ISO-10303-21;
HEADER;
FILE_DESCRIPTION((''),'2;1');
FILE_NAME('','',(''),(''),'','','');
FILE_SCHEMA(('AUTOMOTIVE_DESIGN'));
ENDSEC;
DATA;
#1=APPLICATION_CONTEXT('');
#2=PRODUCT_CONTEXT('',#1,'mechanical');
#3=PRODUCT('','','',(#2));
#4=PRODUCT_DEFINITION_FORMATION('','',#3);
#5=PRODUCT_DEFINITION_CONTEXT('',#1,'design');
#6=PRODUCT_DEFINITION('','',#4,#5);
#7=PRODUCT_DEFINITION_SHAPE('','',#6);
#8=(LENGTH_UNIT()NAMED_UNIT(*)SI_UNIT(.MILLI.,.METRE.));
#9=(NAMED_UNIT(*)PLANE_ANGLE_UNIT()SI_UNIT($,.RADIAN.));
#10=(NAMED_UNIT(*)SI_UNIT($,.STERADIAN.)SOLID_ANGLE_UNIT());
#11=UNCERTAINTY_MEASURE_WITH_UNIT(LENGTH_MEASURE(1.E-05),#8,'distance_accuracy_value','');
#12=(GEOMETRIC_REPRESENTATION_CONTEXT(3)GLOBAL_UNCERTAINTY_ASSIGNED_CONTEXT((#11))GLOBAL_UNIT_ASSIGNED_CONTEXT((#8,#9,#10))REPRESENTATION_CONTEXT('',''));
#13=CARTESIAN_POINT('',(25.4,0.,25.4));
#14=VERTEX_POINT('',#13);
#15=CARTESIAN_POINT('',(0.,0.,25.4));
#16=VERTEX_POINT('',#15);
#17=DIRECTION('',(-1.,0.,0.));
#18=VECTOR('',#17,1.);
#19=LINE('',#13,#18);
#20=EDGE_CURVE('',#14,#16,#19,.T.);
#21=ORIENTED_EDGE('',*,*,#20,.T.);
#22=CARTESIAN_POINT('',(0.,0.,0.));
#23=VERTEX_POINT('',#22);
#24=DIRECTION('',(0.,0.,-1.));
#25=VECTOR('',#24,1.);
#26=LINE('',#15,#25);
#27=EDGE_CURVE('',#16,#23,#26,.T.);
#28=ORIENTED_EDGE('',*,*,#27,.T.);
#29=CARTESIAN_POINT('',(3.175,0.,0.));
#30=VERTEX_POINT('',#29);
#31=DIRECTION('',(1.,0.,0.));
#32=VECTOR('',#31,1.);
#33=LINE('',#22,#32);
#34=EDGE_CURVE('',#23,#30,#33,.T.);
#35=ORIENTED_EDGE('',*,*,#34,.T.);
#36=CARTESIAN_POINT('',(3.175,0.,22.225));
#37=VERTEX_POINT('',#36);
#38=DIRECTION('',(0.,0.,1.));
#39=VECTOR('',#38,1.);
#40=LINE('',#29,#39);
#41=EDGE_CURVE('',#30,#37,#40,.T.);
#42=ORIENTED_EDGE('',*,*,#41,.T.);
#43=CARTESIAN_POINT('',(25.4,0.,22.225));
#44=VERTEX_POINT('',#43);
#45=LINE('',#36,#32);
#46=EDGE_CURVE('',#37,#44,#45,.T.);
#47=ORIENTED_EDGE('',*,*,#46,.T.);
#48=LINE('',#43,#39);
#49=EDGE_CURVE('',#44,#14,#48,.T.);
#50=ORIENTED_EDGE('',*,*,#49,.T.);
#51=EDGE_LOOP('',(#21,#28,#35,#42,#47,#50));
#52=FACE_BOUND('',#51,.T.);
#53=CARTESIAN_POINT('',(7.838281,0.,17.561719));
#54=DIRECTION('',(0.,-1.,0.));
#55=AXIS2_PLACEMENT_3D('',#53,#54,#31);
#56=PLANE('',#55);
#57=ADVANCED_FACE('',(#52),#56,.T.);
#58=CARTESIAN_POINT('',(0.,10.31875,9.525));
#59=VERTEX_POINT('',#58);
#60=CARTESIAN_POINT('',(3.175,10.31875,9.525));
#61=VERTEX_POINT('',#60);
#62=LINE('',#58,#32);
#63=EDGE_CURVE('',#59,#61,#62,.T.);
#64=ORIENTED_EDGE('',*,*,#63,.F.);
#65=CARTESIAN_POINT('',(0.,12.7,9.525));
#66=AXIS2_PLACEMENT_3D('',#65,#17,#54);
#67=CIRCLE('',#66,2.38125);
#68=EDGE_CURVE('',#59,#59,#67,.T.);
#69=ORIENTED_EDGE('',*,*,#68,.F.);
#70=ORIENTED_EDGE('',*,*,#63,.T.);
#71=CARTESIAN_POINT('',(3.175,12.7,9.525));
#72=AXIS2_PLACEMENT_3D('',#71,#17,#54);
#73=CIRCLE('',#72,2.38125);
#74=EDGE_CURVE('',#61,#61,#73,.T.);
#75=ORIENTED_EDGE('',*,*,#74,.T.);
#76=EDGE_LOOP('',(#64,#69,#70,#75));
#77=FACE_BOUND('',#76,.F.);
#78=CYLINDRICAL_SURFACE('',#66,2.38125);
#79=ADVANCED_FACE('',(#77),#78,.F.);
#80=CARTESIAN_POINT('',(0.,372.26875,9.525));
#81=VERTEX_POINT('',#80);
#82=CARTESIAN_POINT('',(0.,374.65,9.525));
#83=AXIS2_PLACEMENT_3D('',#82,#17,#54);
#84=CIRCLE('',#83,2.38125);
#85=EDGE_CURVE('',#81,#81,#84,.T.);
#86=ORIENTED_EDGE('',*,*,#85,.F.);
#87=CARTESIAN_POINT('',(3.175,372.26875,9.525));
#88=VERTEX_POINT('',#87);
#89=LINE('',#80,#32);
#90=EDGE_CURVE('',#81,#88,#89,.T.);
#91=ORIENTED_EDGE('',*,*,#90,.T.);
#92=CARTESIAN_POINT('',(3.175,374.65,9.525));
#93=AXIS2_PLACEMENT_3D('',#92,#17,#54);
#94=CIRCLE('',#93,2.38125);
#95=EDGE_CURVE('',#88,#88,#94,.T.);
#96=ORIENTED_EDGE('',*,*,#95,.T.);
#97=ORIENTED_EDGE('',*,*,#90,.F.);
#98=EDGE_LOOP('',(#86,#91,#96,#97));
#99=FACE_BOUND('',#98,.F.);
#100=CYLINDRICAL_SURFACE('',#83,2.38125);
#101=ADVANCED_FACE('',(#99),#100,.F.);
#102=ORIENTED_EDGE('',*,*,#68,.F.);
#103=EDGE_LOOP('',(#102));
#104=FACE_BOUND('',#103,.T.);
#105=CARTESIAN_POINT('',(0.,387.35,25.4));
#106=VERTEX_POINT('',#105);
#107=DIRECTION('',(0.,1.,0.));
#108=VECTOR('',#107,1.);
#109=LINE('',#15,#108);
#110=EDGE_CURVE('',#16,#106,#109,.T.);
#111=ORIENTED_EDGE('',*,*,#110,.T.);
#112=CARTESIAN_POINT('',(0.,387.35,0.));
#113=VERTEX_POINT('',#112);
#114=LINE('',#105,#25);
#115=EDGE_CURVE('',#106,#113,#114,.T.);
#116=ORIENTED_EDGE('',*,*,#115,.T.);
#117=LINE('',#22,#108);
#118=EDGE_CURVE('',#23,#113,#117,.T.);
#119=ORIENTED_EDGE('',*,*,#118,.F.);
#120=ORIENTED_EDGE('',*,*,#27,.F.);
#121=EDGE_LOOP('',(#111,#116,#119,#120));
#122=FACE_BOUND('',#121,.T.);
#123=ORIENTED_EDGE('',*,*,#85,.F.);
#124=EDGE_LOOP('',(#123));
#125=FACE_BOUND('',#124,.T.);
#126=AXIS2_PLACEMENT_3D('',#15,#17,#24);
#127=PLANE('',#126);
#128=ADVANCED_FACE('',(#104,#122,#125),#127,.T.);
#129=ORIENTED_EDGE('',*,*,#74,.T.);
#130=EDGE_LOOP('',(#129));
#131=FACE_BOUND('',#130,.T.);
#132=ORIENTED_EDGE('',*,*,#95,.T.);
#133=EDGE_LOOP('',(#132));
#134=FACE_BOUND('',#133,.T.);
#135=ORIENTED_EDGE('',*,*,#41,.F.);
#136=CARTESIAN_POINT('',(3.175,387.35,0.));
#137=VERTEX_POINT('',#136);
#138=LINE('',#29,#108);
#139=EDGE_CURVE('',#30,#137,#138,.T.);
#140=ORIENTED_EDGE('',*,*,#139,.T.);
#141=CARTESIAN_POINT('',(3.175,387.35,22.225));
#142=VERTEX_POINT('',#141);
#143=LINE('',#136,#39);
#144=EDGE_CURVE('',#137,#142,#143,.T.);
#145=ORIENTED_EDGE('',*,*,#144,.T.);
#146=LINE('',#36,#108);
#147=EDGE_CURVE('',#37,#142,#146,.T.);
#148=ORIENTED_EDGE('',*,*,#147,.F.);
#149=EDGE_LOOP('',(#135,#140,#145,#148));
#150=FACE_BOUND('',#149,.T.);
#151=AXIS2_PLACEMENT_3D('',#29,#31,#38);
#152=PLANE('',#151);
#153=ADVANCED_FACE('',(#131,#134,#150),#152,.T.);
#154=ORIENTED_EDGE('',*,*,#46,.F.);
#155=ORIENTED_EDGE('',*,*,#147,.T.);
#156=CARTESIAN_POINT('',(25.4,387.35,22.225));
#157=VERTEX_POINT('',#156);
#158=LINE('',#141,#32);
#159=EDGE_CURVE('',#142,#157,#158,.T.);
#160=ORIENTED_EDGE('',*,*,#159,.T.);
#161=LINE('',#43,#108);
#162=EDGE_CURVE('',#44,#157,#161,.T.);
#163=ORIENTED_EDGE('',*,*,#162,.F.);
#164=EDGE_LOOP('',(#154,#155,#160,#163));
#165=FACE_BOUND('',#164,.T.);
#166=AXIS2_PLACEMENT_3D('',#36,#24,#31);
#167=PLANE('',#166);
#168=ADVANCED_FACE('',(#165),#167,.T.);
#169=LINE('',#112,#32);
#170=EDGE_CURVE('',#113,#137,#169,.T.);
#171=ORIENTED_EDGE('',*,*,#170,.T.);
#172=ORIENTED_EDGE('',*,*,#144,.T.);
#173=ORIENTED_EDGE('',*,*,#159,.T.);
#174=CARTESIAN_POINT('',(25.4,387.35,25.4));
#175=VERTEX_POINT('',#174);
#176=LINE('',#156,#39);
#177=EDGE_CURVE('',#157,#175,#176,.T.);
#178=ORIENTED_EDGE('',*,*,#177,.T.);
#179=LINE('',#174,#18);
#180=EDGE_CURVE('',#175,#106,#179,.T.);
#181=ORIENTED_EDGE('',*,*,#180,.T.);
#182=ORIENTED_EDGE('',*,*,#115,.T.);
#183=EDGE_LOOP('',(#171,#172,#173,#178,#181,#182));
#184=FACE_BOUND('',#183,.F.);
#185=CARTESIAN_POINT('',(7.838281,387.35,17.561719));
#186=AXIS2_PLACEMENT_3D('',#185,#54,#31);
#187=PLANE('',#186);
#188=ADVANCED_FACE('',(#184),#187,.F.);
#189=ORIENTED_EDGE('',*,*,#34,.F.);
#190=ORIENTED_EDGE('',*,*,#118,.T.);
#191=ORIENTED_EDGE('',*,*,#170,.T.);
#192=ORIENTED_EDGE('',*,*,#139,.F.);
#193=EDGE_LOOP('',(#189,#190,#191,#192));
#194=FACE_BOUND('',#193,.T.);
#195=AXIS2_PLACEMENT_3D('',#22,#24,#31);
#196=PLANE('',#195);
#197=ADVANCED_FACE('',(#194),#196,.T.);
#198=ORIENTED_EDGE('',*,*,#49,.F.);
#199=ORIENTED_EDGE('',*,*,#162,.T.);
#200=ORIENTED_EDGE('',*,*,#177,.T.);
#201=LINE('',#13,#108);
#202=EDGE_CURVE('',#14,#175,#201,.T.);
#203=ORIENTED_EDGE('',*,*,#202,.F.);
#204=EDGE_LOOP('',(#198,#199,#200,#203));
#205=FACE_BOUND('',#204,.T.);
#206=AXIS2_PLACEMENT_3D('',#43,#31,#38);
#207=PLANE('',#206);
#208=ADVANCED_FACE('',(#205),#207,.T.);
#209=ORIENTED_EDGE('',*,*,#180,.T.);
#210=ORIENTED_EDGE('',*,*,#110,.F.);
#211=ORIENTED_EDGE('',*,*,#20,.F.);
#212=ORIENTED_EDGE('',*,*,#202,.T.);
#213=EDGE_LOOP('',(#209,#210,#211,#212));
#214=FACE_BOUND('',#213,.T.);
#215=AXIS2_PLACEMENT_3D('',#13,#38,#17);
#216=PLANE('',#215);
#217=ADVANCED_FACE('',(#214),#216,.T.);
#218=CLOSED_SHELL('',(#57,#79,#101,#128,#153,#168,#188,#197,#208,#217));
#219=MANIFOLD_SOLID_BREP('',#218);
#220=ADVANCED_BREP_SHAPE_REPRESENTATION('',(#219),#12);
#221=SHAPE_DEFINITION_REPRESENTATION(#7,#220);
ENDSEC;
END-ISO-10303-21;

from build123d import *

# Parameters (mm, degrees)
F1_DEPTH = 387.35
F2_R     = 2.38125
F3_DEPTH = 3.175


with BuildPart() as f1:
    # F0 (on Front) → F1 (new body)
    with BuildSketch(Plane.XZ):
        Polygon((0, 25.4), (0, 0), (3.175, 0), (3.175, 22.225), (25.4, 22.225), (25.4, 25.4), align=None)
    extrude(amount=-F1_DEPTH)

    # F2 (on face) → F3 (cut)
    with BuildSketch(Plane(origin=(0, 0, 0), x_dir=(0, -1, 0), z_dir=(-1, 0, 0))):
        with Locations((-12.7, 9.525)):
            Circle(F2_R)
        with Locations((-374.65, 9.525)):
            Circle(F2_R)
    extrude(amount=-F3_DEPTH, mode=Mode.SUBTRACT)


solid = f1.part
